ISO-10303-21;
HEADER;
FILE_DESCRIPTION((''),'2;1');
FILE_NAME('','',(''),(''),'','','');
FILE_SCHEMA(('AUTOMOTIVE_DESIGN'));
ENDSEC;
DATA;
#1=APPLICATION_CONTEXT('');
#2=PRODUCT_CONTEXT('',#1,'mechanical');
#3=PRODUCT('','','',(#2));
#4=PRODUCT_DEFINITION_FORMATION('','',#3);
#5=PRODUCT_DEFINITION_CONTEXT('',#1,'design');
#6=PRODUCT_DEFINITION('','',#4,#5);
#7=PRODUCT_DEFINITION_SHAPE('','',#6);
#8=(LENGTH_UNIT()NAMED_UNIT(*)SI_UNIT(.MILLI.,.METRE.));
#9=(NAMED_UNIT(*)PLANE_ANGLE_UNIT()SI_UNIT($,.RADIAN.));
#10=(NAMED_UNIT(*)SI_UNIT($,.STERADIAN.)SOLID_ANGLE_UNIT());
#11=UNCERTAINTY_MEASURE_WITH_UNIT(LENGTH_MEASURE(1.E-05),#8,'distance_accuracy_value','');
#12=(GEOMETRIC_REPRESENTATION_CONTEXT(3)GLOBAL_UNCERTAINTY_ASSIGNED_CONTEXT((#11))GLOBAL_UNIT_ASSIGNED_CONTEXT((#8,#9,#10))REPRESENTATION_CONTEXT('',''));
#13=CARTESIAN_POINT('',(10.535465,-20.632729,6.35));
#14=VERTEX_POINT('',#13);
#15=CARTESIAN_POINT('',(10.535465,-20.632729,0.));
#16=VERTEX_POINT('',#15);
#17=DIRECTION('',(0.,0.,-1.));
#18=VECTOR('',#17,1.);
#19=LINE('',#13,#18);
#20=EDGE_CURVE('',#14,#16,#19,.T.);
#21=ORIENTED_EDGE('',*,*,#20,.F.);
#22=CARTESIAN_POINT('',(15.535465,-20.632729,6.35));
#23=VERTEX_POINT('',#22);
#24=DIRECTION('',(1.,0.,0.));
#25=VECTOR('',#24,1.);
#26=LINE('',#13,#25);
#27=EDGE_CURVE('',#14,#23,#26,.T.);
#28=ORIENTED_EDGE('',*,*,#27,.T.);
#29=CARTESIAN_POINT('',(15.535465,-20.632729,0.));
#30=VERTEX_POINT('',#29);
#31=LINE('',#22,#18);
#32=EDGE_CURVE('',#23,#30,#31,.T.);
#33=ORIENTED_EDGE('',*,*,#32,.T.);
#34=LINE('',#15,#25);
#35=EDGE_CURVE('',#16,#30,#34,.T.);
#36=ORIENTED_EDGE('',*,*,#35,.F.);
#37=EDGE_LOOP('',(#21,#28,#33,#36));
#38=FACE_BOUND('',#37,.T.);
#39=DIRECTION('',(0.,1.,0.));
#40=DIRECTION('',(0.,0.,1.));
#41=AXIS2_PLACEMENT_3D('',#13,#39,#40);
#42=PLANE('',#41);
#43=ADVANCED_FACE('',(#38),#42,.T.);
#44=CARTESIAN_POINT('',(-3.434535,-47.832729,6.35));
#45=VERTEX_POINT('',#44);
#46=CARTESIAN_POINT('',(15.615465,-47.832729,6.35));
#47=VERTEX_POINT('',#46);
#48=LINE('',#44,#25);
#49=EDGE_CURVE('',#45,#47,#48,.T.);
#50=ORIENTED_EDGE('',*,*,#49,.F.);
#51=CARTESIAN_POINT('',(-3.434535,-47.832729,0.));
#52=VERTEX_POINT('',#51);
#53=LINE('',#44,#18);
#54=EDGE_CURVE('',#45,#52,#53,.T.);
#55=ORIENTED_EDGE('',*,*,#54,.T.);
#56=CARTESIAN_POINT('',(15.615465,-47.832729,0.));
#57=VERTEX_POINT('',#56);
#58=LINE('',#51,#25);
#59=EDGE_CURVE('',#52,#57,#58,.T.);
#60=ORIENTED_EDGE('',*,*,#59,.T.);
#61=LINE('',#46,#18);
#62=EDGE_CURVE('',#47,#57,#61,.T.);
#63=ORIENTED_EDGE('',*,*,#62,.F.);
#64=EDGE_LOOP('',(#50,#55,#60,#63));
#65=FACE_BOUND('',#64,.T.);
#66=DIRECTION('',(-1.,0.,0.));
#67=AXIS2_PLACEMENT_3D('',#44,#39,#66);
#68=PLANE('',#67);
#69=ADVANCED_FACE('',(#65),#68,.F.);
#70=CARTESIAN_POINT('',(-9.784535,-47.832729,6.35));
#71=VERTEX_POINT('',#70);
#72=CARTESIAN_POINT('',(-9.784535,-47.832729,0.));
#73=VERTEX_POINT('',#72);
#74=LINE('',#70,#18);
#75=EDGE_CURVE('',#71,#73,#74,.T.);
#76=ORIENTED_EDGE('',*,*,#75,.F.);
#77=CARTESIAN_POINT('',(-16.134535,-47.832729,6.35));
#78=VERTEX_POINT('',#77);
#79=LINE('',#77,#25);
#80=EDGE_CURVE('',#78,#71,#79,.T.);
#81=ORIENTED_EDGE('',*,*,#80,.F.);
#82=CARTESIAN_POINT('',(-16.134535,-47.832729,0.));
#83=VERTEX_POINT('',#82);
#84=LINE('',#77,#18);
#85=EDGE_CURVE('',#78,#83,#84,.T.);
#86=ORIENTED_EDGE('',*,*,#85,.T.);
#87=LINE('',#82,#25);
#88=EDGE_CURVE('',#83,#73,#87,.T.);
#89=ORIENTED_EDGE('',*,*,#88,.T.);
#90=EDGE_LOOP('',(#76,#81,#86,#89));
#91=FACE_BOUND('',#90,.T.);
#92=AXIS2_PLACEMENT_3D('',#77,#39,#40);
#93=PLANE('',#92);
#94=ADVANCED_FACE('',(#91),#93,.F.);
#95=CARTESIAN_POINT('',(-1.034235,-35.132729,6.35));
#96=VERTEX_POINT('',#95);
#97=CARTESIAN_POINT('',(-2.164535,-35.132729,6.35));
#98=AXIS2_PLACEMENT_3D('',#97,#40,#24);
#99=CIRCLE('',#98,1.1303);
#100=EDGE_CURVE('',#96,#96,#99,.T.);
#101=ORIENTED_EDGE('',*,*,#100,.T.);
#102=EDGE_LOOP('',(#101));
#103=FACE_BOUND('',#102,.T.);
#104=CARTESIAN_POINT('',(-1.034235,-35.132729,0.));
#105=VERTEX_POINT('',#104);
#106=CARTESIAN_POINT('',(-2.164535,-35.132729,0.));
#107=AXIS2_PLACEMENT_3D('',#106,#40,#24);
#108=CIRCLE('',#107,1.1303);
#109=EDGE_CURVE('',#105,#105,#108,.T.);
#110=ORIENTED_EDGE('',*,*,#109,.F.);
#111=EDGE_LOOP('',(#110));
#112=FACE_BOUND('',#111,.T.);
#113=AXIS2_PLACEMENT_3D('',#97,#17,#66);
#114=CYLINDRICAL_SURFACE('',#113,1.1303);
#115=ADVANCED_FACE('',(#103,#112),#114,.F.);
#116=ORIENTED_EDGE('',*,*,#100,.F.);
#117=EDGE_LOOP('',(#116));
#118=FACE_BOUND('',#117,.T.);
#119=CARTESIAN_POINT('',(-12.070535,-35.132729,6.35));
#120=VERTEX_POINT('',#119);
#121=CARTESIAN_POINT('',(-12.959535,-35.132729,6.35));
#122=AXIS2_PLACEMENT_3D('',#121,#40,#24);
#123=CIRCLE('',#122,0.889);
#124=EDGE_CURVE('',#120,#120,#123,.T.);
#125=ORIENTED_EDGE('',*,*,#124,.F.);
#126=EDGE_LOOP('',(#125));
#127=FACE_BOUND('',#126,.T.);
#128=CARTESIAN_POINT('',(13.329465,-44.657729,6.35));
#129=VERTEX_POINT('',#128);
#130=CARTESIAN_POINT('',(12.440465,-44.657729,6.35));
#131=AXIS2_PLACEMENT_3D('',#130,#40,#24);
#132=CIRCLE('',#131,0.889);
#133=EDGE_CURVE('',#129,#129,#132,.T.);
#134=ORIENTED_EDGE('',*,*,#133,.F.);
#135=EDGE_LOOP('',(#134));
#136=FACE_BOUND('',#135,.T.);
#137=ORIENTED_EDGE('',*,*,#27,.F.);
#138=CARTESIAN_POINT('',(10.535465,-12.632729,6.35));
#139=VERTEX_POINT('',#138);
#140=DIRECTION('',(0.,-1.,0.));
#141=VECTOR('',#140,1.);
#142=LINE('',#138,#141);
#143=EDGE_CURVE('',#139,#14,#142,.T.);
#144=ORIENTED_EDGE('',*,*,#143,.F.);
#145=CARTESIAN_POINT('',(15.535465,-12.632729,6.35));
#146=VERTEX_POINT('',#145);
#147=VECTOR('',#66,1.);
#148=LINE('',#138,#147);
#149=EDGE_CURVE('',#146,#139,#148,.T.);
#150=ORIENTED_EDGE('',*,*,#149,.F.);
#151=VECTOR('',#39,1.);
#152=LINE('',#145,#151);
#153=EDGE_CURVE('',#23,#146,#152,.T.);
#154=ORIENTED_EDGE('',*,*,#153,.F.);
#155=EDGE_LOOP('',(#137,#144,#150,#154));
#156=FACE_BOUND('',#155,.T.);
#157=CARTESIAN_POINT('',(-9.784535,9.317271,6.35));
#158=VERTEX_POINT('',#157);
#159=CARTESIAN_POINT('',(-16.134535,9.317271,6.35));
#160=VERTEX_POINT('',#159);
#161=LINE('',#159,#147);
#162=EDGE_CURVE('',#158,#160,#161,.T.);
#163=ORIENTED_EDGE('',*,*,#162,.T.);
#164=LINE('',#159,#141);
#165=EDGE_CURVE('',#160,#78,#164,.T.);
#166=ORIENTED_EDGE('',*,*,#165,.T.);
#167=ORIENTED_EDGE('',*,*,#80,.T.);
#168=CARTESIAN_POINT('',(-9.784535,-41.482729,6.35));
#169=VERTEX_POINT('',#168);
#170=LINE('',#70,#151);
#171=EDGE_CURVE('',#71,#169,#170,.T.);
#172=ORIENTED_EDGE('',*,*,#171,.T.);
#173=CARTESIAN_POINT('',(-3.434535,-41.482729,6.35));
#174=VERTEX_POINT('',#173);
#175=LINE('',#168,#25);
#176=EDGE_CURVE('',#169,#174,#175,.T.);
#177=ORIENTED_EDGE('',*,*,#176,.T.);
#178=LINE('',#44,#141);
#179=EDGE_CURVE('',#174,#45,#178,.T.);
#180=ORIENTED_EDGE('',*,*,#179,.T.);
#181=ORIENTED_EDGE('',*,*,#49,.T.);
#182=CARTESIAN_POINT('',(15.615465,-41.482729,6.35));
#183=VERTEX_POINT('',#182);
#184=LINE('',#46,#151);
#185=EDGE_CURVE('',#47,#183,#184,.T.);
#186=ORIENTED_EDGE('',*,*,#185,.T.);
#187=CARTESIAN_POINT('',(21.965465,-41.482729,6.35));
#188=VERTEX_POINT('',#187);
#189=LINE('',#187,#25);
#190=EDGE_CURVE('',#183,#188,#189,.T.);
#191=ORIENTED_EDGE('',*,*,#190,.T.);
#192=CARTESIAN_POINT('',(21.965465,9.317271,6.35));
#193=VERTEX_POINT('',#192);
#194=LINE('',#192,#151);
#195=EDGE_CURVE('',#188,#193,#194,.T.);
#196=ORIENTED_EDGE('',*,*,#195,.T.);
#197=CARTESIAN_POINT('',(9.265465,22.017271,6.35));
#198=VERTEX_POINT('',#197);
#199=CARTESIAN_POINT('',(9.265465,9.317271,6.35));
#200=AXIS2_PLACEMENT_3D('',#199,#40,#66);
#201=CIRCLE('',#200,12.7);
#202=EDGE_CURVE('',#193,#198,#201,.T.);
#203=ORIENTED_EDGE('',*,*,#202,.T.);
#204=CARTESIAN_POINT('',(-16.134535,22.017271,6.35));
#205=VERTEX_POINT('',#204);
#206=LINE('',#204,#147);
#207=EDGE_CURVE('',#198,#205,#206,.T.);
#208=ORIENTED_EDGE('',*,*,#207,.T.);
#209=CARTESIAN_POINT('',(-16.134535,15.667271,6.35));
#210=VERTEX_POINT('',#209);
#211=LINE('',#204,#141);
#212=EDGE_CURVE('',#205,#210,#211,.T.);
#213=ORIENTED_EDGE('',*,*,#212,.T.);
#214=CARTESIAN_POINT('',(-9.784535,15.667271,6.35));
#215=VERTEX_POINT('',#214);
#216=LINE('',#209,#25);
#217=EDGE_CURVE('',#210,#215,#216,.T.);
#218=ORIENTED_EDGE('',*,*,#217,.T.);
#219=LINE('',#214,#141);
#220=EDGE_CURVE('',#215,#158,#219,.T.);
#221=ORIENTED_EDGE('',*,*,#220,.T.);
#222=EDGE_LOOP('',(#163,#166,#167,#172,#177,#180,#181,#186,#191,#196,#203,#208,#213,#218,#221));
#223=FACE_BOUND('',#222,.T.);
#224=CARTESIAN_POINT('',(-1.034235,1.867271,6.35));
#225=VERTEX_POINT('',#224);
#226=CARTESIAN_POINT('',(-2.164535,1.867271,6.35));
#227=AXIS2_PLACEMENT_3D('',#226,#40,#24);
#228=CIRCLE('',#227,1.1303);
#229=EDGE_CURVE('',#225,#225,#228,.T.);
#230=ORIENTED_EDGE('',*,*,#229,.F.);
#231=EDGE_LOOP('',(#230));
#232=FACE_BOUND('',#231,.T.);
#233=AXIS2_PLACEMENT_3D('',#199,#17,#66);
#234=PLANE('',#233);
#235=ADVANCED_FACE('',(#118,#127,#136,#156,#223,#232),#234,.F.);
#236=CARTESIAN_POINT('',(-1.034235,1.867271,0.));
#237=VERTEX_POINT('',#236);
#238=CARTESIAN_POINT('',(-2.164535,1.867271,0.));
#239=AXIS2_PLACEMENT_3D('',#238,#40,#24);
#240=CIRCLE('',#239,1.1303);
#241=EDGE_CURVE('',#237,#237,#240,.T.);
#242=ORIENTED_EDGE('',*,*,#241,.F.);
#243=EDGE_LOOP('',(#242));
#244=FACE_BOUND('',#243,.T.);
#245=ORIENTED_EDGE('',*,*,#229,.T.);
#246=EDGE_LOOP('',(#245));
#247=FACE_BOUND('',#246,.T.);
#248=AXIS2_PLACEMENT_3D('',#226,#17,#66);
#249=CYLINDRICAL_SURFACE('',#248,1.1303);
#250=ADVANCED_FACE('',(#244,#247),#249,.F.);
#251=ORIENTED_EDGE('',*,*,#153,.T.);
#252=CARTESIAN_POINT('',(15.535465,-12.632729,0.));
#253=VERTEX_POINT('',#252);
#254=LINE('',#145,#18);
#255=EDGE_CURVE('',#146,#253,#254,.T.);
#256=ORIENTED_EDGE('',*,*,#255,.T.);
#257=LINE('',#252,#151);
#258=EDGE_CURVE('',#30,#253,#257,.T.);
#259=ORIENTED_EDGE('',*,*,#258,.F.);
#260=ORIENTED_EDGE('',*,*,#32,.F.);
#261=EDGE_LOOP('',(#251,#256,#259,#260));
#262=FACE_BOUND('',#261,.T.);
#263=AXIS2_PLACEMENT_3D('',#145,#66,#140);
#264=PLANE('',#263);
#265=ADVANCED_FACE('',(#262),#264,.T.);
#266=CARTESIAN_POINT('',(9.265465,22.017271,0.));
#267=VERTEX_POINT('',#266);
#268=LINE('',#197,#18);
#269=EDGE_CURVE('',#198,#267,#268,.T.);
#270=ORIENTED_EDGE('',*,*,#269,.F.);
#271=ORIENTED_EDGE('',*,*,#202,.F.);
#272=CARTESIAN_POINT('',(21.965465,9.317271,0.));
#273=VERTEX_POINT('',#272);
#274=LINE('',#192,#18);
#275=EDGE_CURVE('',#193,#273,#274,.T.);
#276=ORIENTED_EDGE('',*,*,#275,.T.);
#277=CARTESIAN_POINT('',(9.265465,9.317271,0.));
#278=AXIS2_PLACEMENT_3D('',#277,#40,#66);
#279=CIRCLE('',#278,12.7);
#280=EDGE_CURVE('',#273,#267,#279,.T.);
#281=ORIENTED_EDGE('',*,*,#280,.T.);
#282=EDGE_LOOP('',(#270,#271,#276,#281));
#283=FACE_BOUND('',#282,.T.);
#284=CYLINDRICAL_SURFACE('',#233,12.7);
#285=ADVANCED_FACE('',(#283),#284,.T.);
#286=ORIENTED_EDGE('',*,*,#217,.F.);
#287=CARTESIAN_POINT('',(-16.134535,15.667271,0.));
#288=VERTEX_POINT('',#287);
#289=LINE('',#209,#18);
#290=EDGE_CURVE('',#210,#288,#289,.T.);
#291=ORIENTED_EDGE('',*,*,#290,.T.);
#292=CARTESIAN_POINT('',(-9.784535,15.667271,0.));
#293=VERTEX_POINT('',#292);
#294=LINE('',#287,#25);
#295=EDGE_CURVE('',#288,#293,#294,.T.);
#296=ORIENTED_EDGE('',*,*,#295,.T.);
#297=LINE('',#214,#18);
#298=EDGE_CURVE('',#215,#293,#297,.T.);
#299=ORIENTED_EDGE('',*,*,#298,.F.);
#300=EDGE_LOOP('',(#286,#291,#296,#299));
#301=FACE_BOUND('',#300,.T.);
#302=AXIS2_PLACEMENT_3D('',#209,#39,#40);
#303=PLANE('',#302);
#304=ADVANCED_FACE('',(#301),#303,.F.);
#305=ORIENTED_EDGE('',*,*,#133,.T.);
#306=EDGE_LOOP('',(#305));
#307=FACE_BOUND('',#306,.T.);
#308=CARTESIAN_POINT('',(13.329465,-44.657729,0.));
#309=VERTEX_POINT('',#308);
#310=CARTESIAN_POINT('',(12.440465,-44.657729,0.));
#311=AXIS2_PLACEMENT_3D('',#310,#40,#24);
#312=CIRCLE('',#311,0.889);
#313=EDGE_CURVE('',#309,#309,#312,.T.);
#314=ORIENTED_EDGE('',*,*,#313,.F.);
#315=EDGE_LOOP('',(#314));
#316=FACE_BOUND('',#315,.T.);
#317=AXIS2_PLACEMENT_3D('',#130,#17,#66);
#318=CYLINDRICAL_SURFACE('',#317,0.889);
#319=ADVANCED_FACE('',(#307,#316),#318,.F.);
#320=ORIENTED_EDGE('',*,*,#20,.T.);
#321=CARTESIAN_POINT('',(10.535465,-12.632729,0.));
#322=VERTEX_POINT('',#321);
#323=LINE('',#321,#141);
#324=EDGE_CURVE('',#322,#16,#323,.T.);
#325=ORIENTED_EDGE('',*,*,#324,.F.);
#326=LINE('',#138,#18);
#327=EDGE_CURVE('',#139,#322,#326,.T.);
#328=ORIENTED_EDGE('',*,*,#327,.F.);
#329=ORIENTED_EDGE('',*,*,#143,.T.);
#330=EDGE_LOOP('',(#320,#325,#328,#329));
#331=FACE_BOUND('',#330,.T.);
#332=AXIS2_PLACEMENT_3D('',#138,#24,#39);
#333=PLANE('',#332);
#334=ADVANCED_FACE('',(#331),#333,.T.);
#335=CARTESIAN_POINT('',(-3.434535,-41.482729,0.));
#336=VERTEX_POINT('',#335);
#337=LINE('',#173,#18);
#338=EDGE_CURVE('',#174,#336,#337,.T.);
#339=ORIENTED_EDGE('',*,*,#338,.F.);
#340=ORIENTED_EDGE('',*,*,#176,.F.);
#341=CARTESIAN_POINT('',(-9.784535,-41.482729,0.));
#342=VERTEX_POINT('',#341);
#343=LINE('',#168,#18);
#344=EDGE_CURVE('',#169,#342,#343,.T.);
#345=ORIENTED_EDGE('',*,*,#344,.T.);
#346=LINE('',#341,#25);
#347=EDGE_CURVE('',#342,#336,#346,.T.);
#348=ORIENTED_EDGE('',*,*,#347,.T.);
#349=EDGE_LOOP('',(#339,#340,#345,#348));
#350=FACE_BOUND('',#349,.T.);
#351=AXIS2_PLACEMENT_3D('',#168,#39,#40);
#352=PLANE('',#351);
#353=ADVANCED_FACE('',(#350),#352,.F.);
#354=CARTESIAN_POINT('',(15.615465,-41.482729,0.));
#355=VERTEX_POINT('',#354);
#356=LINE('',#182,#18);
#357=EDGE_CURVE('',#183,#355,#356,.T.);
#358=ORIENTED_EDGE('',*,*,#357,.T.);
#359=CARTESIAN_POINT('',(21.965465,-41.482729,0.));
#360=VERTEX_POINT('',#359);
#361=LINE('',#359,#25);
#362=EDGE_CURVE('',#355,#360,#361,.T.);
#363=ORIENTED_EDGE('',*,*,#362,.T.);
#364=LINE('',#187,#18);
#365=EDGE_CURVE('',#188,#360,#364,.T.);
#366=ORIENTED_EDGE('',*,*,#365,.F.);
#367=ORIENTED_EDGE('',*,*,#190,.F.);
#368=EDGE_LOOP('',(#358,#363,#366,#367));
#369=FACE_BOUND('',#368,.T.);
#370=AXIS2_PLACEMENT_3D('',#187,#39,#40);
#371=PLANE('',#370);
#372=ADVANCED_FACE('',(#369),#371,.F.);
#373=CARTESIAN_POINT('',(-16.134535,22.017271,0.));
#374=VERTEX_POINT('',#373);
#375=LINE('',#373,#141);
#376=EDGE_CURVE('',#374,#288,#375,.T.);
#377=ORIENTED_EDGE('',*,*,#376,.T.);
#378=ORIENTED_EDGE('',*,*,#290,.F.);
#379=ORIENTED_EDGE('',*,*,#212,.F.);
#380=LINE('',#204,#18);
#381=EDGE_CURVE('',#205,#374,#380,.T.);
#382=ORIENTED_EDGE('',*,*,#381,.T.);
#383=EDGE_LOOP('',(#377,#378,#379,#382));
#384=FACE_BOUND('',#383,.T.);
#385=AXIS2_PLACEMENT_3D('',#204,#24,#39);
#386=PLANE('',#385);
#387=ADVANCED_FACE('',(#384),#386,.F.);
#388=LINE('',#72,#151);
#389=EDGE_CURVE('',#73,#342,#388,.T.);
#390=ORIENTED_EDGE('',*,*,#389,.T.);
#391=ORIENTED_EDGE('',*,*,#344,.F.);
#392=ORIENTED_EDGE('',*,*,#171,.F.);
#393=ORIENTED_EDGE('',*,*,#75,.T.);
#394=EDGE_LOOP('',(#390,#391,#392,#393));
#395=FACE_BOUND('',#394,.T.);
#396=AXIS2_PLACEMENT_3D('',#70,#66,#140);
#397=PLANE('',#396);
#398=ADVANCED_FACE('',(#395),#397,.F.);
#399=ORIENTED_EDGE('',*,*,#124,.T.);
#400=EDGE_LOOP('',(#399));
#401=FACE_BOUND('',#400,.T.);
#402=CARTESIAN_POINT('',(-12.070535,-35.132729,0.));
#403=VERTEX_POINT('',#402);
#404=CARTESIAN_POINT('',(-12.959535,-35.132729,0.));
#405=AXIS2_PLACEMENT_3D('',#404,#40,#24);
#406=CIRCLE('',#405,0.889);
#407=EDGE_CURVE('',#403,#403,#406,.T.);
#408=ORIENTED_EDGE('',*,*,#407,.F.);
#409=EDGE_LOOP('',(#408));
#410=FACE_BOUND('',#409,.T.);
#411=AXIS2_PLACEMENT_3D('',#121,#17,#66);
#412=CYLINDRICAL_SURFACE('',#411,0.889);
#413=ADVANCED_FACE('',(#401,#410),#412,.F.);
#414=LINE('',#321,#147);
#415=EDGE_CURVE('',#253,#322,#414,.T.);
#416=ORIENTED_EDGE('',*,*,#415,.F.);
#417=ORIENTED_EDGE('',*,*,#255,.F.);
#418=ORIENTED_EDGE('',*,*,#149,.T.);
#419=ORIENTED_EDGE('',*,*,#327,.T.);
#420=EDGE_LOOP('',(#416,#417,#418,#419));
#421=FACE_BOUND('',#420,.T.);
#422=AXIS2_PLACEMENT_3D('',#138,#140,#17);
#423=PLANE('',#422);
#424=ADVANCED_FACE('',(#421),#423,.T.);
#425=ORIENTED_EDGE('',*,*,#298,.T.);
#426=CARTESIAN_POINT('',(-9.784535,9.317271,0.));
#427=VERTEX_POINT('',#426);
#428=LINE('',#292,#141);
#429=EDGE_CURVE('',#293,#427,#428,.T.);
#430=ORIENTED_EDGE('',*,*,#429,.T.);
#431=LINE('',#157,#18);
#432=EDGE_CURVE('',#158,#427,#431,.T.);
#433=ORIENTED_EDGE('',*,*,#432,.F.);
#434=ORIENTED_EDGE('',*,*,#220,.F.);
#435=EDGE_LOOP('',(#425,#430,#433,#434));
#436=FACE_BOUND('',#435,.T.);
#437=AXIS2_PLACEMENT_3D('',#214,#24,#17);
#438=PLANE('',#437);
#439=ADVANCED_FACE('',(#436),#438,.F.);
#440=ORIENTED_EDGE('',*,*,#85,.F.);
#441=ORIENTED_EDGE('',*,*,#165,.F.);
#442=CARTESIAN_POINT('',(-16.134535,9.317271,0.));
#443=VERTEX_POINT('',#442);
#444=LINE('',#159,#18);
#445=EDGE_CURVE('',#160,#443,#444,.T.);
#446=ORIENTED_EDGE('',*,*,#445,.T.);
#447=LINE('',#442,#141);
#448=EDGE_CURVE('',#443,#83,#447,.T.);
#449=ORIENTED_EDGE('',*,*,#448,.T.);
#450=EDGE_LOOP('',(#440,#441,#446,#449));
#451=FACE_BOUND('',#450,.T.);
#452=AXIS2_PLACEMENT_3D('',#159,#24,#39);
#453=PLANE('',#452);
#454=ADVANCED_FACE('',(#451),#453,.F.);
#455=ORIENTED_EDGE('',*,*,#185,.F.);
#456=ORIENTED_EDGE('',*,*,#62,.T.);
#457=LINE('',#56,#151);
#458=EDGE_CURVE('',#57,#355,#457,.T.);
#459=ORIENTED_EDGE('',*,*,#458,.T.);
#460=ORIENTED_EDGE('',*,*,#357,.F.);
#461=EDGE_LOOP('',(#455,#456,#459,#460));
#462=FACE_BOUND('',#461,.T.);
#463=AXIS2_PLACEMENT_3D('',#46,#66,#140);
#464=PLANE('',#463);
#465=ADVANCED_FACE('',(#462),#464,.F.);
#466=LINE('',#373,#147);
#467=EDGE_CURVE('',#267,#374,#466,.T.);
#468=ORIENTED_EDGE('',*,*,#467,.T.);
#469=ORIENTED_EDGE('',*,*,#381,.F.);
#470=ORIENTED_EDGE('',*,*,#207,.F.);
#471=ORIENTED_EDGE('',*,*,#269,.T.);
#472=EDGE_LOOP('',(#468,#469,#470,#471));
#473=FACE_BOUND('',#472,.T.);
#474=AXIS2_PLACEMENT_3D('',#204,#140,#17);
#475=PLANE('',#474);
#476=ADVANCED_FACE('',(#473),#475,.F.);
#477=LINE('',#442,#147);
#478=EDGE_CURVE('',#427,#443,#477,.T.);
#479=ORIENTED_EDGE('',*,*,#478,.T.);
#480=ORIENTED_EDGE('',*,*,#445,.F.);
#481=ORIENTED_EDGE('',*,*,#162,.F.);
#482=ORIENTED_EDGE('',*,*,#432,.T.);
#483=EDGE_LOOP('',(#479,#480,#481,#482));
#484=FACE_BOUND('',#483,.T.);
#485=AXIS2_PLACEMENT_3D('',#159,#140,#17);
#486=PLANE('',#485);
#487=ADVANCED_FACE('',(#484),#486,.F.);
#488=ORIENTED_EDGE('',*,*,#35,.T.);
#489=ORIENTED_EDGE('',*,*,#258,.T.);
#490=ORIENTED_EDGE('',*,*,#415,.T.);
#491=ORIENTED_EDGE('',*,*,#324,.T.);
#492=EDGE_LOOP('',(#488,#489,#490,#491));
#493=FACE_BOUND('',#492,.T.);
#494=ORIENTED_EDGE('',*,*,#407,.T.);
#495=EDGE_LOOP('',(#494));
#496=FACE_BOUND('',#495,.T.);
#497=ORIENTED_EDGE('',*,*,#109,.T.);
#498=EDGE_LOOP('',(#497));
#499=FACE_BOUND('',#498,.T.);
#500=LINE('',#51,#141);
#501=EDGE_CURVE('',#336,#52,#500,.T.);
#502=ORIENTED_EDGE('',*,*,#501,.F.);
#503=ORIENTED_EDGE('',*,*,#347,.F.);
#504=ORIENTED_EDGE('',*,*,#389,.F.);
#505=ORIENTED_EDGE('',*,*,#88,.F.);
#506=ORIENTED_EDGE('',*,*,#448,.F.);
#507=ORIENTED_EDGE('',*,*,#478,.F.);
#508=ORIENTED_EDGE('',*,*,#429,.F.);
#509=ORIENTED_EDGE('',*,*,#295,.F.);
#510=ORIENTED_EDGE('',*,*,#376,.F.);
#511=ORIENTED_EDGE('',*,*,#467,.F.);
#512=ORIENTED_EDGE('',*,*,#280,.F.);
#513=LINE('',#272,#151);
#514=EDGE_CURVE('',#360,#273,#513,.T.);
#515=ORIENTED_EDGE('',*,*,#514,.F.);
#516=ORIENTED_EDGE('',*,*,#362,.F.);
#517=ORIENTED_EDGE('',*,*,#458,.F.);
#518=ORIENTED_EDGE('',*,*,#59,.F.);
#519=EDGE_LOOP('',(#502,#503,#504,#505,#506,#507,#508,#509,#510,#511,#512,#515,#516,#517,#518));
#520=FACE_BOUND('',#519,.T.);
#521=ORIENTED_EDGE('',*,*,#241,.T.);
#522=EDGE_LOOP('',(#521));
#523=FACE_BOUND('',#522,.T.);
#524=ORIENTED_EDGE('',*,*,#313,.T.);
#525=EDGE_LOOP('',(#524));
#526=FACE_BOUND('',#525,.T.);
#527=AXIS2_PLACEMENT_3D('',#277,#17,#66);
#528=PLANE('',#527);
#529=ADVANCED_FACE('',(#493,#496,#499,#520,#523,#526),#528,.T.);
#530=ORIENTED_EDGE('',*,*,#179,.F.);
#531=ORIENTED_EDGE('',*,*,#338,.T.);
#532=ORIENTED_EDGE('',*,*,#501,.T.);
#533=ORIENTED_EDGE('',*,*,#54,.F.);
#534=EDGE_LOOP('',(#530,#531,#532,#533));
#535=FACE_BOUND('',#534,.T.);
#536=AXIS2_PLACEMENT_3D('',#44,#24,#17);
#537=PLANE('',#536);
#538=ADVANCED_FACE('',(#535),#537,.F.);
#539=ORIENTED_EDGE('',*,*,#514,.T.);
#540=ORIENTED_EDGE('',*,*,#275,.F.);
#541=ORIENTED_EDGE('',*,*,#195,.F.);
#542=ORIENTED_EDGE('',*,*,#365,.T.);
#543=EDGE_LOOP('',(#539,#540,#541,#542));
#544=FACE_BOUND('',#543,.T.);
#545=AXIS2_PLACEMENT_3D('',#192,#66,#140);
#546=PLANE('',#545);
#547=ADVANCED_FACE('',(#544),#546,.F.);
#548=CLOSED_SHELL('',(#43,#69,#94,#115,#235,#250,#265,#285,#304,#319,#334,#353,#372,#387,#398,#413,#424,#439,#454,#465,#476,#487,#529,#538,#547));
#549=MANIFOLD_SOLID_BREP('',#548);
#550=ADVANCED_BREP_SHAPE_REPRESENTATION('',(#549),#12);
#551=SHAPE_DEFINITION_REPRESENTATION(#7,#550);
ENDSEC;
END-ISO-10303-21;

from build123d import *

# Parameters (mm, degrees)
SKETCH1_R           = 1.1303
SKETCH1_R_2         = 0.889
SKETCH1_W           = 5
SKETCH1_H           = 8.000000002
BOSS_EXTRUDE1_DEPTH = 6.35


with BuildPart() as part:
    # Sketch1 → Boss-Extrude1 (new body)
    with BuildSketch(Plane.XY):
        with BuildLine():
            Line((-16.134535362, 9.317270845), (-16.134535362, -47.832729155))
            Line((-16.134535362, -47.832729155), (-9.784535362, -47.832729155))
            Line((-9.784535362, -47.832729155), (-9.784535362, -41.482729155))
            Line((-9.784535362, -41.482729155), (-3.434535362, -41.482729155))
            Line((-3.434535362, -41.482729155), (-3.434535362, -47.832729155))
            Line((-3.434535362, -47.832729155), (15.615464638, -47.832729155))
            Line((15.615464638, -47.832729155), (15.615464638, -41.482729155))
            Line((15.615464638, -41.482729155), (21.965464638, -41.482729155))
            Line((21.965464638, -41.482729155), (21.965464638, 9.317270845))
            ThreePointArc((21.965464638, 9.317270845), (18.245720759, 18.297526966), (9.265464638, 22.017270845))
            Line((9.265464638, 22.017270845), (-16.134535362, 22.017270845))
            Line((-16.134535362, 22.017270845), (-16.134535362, 15.667270845))
            Line((-16.134535362, 15.667270845), (-9.784535362, 15.667270845))
            Line((-9.784535362, 15.667270845), (-9.784535362, 9.317270845))
            Line((-9.784535362, 9.317270845), (-16.134535362, 9.317270845))
        make_face()
        with Locations((-2.164535362, -35.132729155)):
            Circle(SKETCH1_R, mode=Mode.SUBTRACT)
        with Locations((-2.164535362, 1.867270845)):
            Circle(SKETCH1_R, mode=Mode.SUBTRACT)
        with Locations((12.440464638, -44.657729155)):
            Circle(SKETCH1_R_2, mode=Mode.SUBTRACT)
        with Locations((-12.959535362, -35.132729155)):
            Circle(SKETCH1_R_2, mode=Mode.SUBTRACT)
        with Locations((13.035464638, -16.63272908)):
            Rectangle(SKETCH1_W, SKETCH1_H, mode=Mode.SUBTRACT)
    extrude(amount=BOSS_EXTRUDE1_DEPTH)


solid = part.part
